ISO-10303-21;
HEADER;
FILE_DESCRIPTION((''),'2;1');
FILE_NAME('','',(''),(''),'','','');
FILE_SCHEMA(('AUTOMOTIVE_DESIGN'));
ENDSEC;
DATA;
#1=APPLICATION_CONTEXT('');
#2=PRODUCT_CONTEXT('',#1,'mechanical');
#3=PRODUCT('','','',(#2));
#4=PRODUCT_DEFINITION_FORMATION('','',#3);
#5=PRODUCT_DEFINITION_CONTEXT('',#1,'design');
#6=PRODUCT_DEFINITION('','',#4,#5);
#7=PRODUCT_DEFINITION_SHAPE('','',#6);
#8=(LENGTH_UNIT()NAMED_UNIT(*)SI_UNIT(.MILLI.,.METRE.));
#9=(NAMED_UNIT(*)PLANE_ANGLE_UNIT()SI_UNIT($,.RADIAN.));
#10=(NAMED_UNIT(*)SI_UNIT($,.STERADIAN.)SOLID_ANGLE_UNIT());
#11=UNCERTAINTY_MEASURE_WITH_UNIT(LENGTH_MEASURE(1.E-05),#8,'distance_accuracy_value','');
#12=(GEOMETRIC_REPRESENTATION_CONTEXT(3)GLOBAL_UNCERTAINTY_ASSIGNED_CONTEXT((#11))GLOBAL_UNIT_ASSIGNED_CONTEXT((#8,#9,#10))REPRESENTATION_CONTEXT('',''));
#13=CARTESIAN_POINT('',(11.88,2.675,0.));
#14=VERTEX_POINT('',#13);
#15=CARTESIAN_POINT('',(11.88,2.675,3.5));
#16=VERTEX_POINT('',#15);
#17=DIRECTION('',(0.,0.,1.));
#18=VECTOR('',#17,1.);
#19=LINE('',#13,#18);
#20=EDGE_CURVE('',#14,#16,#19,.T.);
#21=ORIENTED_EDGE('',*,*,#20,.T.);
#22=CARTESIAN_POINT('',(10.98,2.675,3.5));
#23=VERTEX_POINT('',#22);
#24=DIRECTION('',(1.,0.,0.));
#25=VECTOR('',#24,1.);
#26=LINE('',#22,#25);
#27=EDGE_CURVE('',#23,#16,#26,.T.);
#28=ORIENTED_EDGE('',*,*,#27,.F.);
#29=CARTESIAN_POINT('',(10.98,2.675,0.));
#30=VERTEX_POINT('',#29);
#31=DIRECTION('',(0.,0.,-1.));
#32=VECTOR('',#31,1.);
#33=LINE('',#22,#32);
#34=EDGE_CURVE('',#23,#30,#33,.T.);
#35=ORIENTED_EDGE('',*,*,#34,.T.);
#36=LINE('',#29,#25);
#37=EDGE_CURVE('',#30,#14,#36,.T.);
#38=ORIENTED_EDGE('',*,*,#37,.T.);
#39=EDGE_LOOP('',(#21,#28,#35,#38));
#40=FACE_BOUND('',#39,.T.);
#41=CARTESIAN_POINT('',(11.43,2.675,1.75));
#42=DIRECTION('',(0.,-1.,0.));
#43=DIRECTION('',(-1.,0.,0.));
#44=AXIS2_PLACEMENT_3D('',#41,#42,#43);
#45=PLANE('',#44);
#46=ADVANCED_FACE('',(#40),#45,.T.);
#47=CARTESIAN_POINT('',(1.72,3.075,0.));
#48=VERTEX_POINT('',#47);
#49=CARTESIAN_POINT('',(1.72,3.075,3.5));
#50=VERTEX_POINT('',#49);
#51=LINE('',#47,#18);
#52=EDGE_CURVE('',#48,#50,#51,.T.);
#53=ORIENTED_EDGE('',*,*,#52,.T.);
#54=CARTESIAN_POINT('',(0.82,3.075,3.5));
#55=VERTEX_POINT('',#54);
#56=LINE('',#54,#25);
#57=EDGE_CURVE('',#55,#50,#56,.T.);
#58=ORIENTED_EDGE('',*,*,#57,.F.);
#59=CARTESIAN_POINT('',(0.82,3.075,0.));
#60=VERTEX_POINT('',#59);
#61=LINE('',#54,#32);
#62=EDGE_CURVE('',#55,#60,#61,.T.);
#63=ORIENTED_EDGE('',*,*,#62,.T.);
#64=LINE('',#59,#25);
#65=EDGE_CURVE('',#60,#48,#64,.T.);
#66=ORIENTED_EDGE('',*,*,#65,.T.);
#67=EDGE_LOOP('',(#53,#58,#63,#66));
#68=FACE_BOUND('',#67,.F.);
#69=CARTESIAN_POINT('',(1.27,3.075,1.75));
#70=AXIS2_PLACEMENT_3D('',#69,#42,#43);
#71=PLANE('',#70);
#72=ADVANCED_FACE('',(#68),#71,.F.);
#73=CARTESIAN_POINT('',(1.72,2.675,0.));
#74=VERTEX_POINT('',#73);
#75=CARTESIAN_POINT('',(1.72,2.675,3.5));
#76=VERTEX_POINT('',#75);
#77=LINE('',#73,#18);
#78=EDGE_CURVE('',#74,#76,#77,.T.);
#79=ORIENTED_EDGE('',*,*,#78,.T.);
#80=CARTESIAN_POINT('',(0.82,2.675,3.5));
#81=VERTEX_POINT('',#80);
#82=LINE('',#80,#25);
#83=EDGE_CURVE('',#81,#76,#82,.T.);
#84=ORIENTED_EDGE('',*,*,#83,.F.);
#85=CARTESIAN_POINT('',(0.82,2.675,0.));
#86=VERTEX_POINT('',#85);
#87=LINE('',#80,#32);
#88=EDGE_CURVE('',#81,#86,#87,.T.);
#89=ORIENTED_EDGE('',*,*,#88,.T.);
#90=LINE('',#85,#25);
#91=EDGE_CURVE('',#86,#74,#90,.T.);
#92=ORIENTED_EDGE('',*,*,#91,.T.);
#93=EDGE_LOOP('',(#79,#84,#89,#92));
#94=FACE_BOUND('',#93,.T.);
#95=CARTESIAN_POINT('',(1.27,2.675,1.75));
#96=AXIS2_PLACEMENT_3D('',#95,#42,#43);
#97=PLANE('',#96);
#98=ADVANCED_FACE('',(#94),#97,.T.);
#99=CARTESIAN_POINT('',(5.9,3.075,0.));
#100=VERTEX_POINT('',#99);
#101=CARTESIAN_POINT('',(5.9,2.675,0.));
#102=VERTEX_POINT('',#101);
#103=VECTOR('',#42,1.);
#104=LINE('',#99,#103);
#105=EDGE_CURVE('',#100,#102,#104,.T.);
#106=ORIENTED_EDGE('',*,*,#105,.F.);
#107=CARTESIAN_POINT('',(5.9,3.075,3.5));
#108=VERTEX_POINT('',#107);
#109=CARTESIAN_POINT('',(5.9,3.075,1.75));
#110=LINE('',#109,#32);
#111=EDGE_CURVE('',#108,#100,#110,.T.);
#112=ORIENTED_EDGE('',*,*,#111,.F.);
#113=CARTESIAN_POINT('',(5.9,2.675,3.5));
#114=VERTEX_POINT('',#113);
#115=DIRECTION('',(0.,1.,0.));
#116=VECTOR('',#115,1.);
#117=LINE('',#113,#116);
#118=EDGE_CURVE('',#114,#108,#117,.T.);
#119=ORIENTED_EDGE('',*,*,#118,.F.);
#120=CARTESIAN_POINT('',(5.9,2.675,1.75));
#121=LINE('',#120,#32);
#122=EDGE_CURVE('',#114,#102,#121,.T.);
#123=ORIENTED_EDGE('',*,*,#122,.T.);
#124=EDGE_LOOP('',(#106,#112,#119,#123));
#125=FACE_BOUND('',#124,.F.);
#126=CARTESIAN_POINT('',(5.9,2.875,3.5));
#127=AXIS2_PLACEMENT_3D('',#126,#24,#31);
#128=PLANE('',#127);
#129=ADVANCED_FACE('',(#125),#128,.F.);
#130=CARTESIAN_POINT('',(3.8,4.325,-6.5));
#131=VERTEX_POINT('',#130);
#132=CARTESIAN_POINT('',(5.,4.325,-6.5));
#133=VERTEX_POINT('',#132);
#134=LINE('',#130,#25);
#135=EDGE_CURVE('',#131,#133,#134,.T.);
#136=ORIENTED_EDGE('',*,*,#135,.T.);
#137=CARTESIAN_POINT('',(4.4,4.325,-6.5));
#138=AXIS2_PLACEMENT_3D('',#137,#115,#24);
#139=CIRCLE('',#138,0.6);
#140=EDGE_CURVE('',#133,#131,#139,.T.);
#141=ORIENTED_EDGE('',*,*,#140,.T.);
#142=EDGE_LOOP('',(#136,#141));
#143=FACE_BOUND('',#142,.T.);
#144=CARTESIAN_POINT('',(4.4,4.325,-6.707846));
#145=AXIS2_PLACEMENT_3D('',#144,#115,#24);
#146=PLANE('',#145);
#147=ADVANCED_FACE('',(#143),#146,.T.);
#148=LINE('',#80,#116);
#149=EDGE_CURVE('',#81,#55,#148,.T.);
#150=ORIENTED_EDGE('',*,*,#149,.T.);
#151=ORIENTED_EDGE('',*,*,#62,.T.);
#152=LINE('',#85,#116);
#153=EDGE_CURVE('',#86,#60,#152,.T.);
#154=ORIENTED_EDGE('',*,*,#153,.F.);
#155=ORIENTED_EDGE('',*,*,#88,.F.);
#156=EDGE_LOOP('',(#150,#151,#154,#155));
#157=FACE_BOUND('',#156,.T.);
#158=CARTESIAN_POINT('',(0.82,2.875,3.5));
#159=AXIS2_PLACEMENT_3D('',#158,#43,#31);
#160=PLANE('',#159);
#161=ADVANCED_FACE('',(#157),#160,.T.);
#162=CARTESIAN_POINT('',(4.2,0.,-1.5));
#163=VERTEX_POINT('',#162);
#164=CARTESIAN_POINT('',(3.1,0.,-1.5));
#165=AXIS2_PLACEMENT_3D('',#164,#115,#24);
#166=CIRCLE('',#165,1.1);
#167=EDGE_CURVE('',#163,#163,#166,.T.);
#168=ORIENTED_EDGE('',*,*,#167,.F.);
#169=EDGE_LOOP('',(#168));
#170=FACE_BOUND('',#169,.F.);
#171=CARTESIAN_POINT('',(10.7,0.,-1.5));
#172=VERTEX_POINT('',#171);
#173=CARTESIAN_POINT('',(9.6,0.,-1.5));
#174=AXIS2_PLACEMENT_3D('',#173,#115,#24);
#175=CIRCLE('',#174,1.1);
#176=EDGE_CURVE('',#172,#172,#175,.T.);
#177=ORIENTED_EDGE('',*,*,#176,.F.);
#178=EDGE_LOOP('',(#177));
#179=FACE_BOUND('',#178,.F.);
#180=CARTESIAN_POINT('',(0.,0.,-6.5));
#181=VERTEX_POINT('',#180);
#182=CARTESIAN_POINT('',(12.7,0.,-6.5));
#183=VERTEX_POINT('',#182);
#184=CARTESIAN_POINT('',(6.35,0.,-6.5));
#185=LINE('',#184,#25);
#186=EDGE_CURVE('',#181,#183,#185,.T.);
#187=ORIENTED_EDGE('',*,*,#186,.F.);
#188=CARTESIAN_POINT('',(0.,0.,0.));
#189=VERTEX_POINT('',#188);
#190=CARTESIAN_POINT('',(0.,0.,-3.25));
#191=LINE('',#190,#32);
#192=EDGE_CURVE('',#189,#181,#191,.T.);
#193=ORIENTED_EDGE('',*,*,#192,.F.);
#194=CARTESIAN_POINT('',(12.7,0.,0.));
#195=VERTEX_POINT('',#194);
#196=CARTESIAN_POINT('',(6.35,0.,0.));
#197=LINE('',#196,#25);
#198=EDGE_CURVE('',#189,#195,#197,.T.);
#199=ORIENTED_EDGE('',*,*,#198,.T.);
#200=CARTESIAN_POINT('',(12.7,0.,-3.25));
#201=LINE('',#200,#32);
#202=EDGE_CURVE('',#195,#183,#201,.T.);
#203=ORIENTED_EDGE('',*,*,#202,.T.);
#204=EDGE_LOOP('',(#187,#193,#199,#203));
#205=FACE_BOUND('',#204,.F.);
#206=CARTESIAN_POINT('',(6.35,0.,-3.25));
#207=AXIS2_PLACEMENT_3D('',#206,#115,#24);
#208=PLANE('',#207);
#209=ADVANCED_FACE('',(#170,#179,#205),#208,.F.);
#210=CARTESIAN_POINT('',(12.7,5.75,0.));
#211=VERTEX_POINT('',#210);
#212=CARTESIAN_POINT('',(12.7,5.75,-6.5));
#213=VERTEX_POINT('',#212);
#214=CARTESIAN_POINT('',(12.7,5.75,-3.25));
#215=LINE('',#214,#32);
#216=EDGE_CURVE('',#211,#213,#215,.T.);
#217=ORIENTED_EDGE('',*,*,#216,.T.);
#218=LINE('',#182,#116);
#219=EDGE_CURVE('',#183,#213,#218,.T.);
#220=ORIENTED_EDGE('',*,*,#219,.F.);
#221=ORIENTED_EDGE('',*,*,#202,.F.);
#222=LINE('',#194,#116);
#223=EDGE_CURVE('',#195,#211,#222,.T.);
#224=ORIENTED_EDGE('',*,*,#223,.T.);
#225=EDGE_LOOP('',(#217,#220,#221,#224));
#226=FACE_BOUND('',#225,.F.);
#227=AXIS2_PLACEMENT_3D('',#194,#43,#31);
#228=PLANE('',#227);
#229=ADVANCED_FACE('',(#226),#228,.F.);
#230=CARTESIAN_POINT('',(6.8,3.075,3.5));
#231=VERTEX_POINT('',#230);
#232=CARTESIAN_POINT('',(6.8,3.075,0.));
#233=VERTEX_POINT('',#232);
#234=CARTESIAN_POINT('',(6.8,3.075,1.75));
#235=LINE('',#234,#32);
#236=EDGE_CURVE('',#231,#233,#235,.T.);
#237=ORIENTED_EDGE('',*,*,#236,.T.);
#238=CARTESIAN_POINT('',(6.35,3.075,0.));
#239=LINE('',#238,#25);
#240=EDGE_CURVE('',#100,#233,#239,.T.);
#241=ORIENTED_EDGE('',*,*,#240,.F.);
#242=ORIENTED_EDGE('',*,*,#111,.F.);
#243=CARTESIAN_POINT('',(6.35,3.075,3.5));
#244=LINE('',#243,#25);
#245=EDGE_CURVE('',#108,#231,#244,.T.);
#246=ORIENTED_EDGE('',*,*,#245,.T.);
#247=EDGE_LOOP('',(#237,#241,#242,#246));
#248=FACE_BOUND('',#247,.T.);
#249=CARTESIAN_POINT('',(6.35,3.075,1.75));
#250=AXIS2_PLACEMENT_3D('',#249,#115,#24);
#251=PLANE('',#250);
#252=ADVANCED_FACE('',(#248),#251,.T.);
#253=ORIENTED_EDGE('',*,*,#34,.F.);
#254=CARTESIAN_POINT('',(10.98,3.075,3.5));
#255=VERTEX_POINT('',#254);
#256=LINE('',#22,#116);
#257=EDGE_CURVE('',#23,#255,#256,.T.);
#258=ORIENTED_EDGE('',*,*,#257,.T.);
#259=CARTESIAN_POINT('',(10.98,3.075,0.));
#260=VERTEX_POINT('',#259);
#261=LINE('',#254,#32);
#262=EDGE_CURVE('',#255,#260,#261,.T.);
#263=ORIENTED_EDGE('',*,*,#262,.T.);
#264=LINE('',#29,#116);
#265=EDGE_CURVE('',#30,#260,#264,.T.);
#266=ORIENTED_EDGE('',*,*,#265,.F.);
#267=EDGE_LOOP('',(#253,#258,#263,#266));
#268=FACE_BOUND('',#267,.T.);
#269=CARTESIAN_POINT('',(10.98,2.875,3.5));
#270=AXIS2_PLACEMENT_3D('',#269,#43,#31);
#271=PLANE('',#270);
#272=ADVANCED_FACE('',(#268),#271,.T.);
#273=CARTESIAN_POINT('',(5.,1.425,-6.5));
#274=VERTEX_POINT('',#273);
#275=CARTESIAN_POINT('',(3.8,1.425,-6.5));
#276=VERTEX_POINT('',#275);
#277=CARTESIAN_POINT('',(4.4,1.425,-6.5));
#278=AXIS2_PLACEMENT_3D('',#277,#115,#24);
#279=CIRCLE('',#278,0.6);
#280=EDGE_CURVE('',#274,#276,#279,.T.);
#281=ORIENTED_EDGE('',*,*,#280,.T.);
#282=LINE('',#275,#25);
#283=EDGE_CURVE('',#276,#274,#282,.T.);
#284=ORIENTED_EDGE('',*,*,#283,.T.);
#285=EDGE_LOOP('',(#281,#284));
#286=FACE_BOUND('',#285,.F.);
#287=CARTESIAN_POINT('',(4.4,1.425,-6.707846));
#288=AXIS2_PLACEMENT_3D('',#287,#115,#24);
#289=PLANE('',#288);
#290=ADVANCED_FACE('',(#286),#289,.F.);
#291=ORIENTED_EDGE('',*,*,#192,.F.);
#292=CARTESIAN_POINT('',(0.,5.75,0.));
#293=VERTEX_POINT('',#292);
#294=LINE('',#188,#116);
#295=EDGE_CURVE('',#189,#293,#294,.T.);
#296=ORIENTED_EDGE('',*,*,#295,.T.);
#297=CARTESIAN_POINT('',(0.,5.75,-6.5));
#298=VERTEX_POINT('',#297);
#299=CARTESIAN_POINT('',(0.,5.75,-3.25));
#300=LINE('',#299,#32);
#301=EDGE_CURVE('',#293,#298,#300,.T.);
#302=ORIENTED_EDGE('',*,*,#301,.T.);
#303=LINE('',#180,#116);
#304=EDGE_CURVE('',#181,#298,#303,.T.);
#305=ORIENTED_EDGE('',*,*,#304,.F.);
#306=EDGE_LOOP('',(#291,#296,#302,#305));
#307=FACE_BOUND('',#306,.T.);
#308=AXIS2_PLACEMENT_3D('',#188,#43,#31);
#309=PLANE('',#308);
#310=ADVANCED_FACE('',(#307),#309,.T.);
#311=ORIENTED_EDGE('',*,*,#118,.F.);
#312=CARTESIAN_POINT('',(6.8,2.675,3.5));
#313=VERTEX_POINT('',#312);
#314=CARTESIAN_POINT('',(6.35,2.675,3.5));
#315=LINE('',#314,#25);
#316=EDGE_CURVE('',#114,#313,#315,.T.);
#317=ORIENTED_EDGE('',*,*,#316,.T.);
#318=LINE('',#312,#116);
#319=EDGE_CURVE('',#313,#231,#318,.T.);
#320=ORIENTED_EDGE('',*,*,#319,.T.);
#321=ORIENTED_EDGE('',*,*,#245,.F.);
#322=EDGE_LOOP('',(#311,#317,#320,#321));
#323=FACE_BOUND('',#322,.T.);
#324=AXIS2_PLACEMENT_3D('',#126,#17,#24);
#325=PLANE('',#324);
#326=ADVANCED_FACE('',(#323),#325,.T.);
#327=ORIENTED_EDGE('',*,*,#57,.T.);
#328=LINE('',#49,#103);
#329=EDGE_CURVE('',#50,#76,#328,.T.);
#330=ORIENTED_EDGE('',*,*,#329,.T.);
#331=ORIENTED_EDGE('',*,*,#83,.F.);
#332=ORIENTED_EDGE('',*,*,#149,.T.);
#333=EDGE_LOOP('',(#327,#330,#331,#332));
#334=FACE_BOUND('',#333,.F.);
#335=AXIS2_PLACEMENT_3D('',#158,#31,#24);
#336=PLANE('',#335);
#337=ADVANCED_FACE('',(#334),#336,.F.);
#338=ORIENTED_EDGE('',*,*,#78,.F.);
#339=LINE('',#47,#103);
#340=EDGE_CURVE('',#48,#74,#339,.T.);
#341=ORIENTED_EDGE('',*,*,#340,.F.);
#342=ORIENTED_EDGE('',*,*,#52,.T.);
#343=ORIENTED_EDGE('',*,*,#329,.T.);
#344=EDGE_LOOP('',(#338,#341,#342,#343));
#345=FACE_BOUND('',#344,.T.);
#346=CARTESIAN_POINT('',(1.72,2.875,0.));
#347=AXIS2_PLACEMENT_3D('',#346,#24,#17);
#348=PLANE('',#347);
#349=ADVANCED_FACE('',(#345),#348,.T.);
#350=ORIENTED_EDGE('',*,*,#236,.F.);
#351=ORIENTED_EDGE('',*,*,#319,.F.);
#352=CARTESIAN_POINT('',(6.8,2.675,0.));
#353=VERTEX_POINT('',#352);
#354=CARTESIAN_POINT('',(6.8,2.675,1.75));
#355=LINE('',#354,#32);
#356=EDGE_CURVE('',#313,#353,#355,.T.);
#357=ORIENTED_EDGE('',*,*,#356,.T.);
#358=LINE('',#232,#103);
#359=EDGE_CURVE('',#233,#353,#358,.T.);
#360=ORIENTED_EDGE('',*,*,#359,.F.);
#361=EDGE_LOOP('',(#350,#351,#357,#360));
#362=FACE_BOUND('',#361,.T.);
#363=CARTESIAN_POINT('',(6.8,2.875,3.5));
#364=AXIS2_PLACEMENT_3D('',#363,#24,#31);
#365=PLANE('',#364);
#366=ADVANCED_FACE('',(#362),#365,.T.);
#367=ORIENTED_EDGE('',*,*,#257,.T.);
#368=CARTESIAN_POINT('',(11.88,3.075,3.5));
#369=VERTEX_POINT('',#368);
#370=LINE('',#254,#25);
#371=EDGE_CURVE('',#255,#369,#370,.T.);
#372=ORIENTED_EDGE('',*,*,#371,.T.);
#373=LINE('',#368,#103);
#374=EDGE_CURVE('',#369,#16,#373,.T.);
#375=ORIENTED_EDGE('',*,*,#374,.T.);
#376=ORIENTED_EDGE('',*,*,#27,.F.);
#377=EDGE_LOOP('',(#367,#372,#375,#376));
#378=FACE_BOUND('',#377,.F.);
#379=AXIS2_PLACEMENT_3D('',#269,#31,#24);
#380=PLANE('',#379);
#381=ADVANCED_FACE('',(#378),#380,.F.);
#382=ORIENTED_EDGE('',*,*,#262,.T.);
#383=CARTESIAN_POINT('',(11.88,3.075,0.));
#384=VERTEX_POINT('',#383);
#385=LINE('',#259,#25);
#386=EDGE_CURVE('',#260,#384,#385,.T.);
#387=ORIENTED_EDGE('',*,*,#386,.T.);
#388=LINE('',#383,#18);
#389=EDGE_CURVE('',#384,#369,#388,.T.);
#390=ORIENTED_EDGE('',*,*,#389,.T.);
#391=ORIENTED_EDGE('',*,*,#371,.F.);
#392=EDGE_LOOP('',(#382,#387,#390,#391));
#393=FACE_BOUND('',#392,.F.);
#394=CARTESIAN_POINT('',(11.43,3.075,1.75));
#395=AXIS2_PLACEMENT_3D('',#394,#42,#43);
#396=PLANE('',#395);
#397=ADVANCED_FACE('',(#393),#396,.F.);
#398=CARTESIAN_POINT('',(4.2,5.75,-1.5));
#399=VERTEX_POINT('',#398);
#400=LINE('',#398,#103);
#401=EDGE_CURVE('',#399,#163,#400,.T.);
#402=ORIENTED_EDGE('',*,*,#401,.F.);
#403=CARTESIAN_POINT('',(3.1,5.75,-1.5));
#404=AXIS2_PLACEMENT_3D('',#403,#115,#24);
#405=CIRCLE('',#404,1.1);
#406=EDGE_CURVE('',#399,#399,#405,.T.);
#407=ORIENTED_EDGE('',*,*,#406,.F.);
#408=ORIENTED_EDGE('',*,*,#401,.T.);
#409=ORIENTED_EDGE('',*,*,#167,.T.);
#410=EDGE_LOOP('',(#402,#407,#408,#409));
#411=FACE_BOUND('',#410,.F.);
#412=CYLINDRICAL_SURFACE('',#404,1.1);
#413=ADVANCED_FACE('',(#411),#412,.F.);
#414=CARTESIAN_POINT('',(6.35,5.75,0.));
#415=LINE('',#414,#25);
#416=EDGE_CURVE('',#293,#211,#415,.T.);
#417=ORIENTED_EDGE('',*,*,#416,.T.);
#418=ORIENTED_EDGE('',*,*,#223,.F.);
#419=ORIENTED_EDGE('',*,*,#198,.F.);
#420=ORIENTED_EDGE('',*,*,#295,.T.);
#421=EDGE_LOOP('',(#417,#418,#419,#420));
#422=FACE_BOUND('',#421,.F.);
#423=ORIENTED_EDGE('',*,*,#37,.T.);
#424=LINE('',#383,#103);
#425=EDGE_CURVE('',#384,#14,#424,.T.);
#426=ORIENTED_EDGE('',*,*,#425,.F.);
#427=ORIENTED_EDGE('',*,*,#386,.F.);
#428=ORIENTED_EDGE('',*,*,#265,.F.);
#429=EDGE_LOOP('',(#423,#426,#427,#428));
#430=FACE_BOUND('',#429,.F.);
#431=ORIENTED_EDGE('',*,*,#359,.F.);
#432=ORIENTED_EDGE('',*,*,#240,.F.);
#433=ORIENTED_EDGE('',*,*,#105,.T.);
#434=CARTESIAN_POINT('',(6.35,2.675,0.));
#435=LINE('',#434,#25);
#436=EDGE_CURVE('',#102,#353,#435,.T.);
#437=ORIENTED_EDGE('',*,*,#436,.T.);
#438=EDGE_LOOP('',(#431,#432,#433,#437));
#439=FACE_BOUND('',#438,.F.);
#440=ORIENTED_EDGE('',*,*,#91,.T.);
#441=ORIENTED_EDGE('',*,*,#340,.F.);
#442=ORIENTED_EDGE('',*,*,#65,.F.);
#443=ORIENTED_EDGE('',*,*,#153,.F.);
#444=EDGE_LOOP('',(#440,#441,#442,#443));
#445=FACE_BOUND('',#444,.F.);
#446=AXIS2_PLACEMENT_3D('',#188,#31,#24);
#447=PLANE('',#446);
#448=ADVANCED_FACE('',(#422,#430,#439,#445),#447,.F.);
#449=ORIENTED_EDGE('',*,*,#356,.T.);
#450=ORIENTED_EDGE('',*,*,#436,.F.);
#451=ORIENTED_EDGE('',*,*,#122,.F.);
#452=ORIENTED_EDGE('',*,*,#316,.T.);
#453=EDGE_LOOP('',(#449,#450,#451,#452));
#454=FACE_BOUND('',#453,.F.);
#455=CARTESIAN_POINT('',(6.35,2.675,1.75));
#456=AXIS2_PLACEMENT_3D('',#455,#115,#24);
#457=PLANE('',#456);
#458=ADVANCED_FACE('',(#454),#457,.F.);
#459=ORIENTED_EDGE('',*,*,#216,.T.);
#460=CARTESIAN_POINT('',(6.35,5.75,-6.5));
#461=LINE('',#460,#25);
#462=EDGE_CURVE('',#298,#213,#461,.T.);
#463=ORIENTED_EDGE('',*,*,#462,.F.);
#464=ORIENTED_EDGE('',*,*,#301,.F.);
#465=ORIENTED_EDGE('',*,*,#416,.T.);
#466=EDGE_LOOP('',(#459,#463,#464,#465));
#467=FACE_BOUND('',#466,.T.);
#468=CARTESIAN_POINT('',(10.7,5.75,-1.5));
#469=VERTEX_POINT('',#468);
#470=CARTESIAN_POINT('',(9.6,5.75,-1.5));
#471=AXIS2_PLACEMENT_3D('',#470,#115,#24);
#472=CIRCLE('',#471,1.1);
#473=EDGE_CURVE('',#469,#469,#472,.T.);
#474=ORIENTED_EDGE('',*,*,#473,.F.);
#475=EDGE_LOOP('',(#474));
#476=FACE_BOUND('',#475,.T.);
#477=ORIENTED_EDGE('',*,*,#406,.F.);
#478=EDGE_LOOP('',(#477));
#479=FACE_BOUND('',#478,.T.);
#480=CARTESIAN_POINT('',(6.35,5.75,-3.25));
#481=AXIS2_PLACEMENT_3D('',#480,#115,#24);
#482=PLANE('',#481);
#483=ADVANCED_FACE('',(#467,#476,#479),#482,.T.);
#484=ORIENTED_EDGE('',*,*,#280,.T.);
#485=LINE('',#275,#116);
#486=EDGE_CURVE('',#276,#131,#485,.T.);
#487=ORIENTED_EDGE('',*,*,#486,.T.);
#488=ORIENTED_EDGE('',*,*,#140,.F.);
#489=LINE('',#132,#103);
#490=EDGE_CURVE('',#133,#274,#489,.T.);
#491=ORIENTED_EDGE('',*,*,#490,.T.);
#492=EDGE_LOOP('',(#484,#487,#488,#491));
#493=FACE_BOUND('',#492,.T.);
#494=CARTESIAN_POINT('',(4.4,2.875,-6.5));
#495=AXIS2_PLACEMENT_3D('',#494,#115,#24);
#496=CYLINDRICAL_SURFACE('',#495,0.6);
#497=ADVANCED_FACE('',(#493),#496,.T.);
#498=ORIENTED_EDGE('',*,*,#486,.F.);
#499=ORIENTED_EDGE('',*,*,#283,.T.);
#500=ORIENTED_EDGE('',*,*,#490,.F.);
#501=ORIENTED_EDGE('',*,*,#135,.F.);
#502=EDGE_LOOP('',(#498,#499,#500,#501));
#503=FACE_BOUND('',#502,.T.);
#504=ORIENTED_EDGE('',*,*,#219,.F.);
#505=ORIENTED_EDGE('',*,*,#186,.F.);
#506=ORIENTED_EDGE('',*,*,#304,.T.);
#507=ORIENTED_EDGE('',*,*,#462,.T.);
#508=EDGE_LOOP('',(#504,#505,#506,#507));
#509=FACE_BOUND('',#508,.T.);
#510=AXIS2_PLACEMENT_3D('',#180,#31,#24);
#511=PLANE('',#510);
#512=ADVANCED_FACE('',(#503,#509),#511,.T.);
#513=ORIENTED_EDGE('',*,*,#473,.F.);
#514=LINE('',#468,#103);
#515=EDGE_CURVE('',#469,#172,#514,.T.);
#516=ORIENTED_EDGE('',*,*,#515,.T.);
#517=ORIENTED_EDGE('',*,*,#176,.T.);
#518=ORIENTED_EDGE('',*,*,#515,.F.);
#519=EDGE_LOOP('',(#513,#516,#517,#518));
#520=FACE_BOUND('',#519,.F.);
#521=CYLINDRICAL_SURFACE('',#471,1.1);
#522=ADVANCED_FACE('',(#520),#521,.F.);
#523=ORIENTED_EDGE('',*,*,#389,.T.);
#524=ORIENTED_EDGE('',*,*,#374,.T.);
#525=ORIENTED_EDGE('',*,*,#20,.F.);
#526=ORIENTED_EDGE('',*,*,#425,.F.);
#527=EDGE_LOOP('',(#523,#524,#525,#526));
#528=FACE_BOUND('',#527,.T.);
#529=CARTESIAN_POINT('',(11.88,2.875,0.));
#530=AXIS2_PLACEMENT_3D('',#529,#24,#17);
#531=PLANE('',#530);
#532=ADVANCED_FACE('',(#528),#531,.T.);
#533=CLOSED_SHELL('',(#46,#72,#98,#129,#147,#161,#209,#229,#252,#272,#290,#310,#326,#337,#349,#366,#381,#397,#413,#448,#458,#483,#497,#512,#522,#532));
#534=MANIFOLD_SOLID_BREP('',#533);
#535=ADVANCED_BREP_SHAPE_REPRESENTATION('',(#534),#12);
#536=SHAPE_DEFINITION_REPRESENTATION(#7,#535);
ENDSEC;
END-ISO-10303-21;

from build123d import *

# Parameters (mm, degrees)
SKETCH1_W                = 12.7
SKETCH1_H                = 6.5
BOSS_EXTRUDE1_DEPTH      = 5.75
SKETCH2_R                = 1.1
CUT_EXTRUDE1_DEPTH       = 6.75
SKETCH3_W                = 0.9
SKETCH3_H                = 3.5
BOSS_EXTRUDE2_DEPTH      = 0.2
BOSS_EXTRUDE2_DEPTH_BACK = 0.2
BOSS_EXTRUDE3_DEPTH      = 1.45
BOSS_EXTRUDE3_DEPTH_BACK = 1.45


with BuildPart() as part:
    # Sketch1 → Boss-Extrude1 (new body)
    with BuildSketch(Plane(origin=(0, 0, 0), x_dir=(1, 0, 0), z_dir=(0, 1, 0))):
        with Locations((6.35, 3.25)):
            Rectangle(SKETCH1_W, SKETCH1_H)
    extrude(amount=BOSS_EXTRUDE1_DEPTH)

    # Sketch2 → Cut-Extrude1 (cut, through all)
    with BuildSketch(Plane(origin=(0, 5.75, 0), x_dir=(1, 0, 0), z_dir=(0, 1, 0))):
        with Locations((3.1, 1.5)):
            Circle(SKETCH2_R)
        with Locations((9.6, 1.5)):
            Circle(SKETCH2_R)
    extrude(amount=-CUT_EXTRUDE1_DEPTH, mode=Mode.SUBTRACT)

    # Sketch3 → Boss-Extrude2 (add, two sides)
    with BuildSketch(Plane(origin=(0, 2.875, 0), x_dir=(1, 0, 0), z_dir=(0, 1, 0))) as boss_extrude2_sk:
        with Locations((6.35, -1.75)):
            Rectangle(SKETCH3_W, SKETCH3_H)
        Polygon((11.88, 0), (11.88, -3.5), (11.43, -3.5), (10.98, -3.5), (10.98, 0), align=None)
        Polygon((0.82, 0), (1.72, 0), (1.72, -3.5), (1.27, -3.5), (0.82, -3.5), align=None)
    extrude(amount=BOSS_EXTRUDE2_DEPTH)
    extrude(boss_extrude2_sk.sketch, amount=-BOSS_EXTRUDE2_DEPTH_BACK)

    # Sketch4 → Boss-Extrude3 (add, two sides)
    with BuildSketch(Plane(origin=(0, 2.875, 0), x_dir=(1, 0, 0), z_dir=(0, 1, 0))) as boss_extrude3_sk:
        with BuildLine():
            Line((3.8, 6.5), (5, 6.5))
            ThreePointArc((5, 6.5), (4.4, 7.1), (3.8, 6.5))
        make_face()
    extrude(amount=BOSS_EXTRUDE3_DEPTH)
    extrude(boss_extrude3_sk.sketch, amount=-BOSS_EXTRUDE3_DEPTH_BACK)


solid = part.part
